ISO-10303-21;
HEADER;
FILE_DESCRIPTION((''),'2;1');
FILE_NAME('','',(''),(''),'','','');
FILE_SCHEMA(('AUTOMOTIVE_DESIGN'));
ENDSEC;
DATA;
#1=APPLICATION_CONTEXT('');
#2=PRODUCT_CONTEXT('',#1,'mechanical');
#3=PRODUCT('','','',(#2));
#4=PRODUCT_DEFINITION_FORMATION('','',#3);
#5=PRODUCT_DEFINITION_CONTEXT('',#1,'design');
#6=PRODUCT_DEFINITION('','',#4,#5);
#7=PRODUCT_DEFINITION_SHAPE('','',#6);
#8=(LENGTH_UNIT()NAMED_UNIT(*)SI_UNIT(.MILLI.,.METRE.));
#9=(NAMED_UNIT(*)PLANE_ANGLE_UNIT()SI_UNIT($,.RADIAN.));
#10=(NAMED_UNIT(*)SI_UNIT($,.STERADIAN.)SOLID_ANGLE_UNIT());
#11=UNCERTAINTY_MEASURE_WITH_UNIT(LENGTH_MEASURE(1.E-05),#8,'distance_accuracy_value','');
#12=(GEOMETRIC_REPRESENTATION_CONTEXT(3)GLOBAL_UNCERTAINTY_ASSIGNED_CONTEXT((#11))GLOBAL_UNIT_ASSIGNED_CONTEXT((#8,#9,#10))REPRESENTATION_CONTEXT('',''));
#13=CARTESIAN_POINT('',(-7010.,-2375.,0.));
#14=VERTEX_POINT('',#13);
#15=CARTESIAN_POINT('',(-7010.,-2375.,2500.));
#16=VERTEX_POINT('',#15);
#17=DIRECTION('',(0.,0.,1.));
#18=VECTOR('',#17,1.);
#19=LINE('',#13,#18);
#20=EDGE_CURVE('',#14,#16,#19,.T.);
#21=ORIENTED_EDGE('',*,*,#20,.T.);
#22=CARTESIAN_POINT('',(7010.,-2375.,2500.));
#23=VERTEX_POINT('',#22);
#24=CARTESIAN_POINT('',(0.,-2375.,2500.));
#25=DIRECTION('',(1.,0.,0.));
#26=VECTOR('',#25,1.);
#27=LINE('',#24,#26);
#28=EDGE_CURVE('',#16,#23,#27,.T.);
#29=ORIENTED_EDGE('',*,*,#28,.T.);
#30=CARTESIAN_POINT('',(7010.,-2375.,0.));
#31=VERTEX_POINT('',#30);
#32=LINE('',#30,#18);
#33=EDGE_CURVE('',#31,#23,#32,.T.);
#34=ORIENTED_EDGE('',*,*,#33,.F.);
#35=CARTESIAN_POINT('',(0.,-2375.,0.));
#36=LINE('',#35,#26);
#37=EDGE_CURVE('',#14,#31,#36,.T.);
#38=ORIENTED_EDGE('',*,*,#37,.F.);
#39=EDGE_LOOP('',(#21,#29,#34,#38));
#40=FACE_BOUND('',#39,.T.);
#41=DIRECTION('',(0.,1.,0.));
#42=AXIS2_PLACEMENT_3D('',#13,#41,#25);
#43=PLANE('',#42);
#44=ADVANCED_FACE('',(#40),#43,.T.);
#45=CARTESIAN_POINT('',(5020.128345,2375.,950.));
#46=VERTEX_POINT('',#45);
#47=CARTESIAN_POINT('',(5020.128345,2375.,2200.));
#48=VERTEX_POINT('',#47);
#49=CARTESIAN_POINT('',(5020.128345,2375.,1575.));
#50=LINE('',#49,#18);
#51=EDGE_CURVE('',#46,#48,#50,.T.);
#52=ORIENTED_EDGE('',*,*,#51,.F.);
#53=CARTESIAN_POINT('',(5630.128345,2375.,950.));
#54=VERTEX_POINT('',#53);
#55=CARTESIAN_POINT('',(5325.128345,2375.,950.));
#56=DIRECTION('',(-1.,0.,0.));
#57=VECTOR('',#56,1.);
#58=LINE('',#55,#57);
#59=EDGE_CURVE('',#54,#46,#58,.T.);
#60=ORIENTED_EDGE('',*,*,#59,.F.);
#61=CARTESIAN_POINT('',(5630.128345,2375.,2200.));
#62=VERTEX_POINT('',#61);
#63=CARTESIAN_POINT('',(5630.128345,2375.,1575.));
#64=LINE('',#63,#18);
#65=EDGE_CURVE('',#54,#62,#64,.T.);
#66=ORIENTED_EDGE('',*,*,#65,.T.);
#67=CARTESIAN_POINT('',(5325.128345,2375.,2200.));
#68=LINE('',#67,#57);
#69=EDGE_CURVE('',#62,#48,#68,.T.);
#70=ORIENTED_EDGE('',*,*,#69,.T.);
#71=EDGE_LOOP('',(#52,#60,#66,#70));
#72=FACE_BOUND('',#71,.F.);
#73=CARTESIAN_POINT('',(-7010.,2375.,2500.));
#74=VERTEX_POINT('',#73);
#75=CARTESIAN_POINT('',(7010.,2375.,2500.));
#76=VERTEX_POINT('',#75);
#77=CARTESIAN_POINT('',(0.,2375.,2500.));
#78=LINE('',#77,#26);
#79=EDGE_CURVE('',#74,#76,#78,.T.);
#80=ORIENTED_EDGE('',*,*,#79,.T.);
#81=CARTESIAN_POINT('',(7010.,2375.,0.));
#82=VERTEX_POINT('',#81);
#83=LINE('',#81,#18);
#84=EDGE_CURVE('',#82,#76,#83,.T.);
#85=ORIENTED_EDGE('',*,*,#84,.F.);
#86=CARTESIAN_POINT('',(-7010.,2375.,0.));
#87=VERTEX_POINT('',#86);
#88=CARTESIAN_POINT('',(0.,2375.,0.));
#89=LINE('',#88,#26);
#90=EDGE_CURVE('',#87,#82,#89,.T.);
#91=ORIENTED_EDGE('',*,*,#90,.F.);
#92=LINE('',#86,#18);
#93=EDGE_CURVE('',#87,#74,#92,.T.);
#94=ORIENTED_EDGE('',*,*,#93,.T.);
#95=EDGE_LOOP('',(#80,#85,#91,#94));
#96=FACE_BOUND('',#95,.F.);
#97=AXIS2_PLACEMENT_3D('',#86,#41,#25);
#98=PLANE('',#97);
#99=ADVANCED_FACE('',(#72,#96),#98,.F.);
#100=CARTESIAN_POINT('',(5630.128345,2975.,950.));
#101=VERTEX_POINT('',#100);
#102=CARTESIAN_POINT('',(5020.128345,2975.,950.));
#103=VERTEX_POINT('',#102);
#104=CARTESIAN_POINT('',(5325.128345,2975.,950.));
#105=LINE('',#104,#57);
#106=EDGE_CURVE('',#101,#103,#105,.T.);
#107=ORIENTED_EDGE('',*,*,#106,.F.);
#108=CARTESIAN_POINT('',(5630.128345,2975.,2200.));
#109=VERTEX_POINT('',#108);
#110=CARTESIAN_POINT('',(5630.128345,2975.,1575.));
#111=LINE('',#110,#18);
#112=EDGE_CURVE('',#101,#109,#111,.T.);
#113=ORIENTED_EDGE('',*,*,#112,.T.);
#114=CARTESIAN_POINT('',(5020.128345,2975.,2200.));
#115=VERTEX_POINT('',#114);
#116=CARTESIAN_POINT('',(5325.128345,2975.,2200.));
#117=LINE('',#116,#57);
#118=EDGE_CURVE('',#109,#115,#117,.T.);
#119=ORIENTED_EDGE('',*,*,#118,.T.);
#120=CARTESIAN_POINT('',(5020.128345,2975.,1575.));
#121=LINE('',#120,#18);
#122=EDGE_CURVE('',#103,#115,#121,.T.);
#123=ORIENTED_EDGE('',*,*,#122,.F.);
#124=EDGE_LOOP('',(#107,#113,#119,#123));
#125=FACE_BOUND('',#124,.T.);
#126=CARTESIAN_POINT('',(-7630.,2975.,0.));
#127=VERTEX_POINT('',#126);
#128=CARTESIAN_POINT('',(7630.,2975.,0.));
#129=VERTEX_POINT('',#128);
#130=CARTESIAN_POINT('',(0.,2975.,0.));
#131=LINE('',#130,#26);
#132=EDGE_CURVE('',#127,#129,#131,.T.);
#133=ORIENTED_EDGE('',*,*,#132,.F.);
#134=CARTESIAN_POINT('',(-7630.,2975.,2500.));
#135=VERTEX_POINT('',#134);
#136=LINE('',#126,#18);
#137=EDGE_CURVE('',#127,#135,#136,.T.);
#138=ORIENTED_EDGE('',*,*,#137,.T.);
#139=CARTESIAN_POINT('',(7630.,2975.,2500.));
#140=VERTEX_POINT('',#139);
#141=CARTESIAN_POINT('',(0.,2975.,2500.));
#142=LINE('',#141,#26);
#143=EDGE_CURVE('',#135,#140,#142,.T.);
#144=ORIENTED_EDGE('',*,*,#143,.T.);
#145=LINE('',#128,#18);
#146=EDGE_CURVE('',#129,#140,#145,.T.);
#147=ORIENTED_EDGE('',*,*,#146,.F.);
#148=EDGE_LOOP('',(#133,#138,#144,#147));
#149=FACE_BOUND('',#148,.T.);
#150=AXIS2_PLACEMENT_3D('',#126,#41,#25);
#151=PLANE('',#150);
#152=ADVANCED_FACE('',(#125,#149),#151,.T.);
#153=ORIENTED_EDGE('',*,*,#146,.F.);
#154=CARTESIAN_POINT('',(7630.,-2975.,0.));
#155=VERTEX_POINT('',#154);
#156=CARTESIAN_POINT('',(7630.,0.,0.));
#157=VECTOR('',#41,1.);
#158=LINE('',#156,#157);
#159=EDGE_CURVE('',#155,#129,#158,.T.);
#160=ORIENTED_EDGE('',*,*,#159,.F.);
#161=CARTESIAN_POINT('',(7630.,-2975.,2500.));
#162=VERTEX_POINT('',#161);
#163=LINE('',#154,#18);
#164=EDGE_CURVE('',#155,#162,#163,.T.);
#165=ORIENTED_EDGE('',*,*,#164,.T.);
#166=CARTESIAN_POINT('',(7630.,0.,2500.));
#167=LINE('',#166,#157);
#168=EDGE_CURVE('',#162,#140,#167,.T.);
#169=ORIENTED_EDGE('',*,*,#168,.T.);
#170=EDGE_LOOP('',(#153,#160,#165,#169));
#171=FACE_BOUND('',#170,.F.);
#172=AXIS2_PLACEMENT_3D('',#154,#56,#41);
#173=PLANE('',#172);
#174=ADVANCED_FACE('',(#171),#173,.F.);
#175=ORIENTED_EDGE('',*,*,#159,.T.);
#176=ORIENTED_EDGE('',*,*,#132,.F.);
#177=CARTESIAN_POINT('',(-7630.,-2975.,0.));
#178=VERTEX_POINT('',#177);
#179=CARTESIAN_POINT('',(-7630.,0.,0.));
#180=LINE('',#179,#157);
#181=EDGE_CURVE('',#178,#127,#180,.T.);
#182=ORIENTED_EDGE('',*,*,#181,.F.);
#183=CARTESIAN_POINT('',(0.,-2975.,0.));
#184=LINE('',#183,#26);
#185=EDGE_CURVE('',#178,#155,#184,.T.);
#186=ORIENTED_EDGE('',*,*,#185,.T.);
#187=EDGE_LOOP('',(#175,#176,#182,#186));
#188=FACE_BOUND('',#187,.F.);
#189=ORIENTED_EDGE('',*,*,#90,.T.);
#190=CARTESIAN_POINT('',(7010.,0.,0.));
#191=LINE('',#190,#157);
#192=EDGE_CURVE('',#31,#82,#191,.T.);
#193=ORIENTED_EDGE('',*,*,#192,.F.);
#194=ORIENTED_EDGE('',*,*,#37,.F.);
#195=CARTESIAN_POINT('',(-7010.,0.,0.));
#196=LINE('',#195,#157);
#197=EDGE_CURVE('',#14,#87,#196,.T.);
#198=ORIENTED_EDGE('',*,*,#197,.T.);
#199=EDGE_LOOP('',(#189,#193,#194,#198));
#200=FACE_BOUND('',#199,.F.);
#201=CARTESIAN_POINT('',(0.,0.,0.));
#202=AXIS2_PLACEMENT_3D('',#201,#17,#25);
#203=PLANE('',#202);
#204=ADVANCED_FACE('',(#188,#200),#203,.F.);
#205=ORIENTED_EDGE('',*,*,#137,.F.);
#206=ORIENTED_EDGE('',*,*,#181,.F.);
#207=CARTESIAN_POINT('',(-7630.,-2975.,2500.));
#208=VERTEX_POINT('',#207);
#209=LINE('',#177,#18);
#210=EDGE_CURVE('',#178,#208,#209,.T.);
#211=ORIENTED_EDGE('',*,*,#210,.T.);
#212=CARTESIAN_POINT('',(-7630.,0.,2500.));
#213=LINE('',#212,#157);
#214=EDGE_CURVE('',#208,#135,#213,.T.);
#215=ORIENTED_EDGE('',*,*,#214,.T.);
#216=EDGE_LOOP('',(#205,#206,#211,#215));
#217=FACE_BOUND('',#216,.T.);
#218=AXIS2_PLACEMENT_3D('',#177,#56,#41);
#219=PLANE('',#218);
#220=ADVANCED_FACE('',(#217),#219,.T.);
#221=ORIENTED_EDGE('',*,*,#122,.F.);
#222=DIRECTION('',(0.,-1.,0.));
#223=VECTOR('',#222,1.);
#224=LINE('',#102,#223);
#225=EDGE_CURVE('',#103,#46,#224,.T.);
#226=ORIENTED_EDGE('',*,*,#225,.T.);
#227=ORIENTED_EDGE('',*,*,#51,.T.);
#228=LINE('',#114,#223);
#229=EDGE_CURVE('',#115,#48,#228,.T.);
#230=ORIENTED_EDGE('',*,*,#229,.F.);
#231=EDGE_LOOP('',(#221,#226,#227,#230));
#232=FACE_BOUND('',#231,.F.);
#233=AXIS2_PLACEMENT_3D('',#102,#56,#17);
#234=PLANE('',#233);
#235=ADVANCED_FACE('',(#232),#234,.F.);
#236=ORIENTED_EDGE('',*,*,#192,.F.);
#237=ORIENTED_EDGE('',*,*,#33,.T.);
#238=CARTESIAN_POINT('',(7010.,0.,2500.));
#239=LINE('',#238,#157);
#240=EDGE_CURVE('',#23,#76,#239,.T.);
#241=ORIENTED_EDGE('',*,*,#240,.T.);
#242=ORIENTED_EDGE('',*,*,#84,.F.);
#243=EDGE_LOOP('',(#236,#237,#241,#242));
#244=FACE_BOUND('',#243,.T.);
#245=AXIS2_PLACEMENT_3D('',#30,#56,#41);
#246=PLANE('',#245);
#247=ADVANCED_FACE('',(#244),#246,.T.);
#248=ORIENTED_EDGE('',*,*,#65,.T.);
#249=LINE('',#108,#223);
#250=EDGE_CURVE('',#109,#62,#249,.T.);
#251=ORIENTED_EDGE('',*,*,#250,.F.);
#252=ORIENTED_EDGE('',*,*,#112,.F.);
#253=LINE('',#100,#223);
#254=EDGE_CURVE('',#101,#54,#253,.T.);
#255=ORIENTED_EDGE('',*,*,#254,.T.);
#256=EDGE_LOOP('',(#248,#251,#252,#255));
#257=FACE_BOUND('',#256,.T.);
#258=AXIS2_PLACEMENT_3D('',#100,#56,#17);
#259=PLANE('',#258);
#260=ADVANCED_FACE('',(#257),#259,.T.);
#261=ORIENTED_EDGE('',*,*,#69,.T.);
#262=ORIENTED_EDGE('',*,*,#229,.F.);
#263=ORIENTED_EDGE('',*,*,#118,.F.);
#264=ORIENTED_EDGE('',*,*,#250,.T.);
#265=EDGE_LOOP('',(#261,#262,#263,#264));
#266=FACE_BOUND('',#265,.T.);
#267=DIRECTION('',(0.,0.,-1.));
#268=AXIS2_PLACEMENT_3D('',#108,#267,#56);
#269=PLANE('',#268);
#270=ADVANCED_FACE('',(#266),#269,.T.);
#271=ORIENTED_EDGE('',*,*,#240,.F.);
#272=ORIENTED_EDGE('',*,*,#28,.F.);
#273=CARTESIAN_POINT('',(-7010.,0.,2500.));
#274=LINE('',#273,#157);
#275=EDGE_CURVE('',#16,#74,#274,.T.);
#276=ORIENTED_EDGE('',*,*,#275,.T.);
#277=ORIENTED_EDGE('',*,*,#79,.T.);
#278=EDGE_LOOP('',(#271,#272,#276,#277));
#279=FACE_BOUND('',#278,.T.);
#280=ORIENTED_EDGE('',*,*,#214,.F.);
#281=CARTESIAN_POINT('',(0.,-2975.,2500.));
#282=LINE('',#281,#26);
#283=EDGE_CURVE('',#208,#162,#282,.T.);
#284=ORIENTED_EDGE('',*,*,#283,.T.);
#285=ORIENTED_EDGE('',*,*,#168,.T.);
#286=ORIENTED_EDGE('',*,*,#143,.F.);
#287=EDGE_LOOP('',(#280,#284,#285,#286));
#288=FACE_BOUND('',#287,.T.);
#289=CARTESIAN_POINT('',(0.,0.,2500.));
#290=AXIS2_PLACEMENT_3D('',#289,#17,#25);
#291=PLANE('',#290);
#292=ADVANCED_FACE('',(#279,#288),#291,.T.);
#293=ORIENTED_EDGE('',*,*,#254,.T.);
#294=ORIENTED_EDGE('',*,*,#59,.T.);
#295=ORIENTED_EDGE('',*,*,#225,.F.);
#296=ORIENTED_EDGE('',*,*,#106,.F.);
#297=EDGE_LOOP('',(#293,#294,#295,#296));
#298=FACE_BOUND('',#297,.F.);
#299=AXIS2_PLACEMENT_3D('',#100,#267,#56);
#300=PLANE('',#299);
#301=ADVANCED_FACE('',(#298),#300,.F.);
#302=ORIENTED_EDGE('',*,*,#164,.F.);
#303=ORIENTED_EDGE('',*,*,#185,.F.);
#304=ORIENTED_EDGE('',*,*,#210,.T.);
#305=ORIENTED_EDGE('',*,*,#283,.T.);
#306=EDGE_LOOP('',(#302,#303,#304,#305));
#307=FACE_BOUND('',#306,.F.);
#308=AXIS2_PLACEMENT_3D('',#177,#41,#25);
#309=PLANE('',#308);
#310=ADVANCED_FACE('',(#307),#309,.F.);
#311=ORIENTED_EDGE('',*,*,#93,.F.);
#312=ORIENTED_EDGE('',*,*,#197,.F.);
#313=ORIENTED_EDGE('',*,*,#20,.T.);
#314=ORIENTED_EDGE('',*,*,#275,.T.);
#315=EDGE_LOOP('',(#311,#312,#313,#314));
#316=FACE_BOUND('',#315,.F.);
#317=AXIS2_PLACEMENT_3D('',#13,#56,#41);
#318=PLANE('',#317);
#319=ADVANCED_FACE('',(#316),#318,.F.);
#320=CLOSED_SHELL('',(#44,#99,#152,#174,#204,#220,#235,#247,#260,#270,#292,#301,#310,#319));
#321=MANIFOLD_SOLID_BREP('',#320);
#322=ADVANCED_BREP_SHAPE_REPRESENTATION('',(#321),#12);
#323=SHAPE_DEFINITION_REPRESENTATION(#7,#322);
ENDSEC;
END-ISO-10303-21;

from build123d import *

# Parameters (mm, degrees)
F0_W     = 15260
F0_H     = 5950
F0_W_2   = 14020
F0_H_2   = 4750
F1_DEPTH = 2500
F2_W     = 610
F2_H     = 1250
F3_DEPTH = 600


with BuildPart() as f1:
    # F0 (on Top) → F1 (new body)
    with BuildSketch(Plane.XY):
        Rectangle(F0_W, F0_H)
        Rectangle(F0_W_2, F0_H_2, mode=Mode.SUBTRACT)
    extrude(amount=F1_DEPTH)

    # F2 (on face) → F3 (cut, through all)
    with BuildSketch(Plane(origin=(0, 2975, 0), x_dir=(-1, 0, 0), z_dir=(0, 1, 0))):
        with Locations((-5325.128345, 1575)):
            Rectangle(F2_W, F2_H)
    extrude(amount=-F3_DEPTH, mode=Mode.SUBTRACT)


solid = f1.part
